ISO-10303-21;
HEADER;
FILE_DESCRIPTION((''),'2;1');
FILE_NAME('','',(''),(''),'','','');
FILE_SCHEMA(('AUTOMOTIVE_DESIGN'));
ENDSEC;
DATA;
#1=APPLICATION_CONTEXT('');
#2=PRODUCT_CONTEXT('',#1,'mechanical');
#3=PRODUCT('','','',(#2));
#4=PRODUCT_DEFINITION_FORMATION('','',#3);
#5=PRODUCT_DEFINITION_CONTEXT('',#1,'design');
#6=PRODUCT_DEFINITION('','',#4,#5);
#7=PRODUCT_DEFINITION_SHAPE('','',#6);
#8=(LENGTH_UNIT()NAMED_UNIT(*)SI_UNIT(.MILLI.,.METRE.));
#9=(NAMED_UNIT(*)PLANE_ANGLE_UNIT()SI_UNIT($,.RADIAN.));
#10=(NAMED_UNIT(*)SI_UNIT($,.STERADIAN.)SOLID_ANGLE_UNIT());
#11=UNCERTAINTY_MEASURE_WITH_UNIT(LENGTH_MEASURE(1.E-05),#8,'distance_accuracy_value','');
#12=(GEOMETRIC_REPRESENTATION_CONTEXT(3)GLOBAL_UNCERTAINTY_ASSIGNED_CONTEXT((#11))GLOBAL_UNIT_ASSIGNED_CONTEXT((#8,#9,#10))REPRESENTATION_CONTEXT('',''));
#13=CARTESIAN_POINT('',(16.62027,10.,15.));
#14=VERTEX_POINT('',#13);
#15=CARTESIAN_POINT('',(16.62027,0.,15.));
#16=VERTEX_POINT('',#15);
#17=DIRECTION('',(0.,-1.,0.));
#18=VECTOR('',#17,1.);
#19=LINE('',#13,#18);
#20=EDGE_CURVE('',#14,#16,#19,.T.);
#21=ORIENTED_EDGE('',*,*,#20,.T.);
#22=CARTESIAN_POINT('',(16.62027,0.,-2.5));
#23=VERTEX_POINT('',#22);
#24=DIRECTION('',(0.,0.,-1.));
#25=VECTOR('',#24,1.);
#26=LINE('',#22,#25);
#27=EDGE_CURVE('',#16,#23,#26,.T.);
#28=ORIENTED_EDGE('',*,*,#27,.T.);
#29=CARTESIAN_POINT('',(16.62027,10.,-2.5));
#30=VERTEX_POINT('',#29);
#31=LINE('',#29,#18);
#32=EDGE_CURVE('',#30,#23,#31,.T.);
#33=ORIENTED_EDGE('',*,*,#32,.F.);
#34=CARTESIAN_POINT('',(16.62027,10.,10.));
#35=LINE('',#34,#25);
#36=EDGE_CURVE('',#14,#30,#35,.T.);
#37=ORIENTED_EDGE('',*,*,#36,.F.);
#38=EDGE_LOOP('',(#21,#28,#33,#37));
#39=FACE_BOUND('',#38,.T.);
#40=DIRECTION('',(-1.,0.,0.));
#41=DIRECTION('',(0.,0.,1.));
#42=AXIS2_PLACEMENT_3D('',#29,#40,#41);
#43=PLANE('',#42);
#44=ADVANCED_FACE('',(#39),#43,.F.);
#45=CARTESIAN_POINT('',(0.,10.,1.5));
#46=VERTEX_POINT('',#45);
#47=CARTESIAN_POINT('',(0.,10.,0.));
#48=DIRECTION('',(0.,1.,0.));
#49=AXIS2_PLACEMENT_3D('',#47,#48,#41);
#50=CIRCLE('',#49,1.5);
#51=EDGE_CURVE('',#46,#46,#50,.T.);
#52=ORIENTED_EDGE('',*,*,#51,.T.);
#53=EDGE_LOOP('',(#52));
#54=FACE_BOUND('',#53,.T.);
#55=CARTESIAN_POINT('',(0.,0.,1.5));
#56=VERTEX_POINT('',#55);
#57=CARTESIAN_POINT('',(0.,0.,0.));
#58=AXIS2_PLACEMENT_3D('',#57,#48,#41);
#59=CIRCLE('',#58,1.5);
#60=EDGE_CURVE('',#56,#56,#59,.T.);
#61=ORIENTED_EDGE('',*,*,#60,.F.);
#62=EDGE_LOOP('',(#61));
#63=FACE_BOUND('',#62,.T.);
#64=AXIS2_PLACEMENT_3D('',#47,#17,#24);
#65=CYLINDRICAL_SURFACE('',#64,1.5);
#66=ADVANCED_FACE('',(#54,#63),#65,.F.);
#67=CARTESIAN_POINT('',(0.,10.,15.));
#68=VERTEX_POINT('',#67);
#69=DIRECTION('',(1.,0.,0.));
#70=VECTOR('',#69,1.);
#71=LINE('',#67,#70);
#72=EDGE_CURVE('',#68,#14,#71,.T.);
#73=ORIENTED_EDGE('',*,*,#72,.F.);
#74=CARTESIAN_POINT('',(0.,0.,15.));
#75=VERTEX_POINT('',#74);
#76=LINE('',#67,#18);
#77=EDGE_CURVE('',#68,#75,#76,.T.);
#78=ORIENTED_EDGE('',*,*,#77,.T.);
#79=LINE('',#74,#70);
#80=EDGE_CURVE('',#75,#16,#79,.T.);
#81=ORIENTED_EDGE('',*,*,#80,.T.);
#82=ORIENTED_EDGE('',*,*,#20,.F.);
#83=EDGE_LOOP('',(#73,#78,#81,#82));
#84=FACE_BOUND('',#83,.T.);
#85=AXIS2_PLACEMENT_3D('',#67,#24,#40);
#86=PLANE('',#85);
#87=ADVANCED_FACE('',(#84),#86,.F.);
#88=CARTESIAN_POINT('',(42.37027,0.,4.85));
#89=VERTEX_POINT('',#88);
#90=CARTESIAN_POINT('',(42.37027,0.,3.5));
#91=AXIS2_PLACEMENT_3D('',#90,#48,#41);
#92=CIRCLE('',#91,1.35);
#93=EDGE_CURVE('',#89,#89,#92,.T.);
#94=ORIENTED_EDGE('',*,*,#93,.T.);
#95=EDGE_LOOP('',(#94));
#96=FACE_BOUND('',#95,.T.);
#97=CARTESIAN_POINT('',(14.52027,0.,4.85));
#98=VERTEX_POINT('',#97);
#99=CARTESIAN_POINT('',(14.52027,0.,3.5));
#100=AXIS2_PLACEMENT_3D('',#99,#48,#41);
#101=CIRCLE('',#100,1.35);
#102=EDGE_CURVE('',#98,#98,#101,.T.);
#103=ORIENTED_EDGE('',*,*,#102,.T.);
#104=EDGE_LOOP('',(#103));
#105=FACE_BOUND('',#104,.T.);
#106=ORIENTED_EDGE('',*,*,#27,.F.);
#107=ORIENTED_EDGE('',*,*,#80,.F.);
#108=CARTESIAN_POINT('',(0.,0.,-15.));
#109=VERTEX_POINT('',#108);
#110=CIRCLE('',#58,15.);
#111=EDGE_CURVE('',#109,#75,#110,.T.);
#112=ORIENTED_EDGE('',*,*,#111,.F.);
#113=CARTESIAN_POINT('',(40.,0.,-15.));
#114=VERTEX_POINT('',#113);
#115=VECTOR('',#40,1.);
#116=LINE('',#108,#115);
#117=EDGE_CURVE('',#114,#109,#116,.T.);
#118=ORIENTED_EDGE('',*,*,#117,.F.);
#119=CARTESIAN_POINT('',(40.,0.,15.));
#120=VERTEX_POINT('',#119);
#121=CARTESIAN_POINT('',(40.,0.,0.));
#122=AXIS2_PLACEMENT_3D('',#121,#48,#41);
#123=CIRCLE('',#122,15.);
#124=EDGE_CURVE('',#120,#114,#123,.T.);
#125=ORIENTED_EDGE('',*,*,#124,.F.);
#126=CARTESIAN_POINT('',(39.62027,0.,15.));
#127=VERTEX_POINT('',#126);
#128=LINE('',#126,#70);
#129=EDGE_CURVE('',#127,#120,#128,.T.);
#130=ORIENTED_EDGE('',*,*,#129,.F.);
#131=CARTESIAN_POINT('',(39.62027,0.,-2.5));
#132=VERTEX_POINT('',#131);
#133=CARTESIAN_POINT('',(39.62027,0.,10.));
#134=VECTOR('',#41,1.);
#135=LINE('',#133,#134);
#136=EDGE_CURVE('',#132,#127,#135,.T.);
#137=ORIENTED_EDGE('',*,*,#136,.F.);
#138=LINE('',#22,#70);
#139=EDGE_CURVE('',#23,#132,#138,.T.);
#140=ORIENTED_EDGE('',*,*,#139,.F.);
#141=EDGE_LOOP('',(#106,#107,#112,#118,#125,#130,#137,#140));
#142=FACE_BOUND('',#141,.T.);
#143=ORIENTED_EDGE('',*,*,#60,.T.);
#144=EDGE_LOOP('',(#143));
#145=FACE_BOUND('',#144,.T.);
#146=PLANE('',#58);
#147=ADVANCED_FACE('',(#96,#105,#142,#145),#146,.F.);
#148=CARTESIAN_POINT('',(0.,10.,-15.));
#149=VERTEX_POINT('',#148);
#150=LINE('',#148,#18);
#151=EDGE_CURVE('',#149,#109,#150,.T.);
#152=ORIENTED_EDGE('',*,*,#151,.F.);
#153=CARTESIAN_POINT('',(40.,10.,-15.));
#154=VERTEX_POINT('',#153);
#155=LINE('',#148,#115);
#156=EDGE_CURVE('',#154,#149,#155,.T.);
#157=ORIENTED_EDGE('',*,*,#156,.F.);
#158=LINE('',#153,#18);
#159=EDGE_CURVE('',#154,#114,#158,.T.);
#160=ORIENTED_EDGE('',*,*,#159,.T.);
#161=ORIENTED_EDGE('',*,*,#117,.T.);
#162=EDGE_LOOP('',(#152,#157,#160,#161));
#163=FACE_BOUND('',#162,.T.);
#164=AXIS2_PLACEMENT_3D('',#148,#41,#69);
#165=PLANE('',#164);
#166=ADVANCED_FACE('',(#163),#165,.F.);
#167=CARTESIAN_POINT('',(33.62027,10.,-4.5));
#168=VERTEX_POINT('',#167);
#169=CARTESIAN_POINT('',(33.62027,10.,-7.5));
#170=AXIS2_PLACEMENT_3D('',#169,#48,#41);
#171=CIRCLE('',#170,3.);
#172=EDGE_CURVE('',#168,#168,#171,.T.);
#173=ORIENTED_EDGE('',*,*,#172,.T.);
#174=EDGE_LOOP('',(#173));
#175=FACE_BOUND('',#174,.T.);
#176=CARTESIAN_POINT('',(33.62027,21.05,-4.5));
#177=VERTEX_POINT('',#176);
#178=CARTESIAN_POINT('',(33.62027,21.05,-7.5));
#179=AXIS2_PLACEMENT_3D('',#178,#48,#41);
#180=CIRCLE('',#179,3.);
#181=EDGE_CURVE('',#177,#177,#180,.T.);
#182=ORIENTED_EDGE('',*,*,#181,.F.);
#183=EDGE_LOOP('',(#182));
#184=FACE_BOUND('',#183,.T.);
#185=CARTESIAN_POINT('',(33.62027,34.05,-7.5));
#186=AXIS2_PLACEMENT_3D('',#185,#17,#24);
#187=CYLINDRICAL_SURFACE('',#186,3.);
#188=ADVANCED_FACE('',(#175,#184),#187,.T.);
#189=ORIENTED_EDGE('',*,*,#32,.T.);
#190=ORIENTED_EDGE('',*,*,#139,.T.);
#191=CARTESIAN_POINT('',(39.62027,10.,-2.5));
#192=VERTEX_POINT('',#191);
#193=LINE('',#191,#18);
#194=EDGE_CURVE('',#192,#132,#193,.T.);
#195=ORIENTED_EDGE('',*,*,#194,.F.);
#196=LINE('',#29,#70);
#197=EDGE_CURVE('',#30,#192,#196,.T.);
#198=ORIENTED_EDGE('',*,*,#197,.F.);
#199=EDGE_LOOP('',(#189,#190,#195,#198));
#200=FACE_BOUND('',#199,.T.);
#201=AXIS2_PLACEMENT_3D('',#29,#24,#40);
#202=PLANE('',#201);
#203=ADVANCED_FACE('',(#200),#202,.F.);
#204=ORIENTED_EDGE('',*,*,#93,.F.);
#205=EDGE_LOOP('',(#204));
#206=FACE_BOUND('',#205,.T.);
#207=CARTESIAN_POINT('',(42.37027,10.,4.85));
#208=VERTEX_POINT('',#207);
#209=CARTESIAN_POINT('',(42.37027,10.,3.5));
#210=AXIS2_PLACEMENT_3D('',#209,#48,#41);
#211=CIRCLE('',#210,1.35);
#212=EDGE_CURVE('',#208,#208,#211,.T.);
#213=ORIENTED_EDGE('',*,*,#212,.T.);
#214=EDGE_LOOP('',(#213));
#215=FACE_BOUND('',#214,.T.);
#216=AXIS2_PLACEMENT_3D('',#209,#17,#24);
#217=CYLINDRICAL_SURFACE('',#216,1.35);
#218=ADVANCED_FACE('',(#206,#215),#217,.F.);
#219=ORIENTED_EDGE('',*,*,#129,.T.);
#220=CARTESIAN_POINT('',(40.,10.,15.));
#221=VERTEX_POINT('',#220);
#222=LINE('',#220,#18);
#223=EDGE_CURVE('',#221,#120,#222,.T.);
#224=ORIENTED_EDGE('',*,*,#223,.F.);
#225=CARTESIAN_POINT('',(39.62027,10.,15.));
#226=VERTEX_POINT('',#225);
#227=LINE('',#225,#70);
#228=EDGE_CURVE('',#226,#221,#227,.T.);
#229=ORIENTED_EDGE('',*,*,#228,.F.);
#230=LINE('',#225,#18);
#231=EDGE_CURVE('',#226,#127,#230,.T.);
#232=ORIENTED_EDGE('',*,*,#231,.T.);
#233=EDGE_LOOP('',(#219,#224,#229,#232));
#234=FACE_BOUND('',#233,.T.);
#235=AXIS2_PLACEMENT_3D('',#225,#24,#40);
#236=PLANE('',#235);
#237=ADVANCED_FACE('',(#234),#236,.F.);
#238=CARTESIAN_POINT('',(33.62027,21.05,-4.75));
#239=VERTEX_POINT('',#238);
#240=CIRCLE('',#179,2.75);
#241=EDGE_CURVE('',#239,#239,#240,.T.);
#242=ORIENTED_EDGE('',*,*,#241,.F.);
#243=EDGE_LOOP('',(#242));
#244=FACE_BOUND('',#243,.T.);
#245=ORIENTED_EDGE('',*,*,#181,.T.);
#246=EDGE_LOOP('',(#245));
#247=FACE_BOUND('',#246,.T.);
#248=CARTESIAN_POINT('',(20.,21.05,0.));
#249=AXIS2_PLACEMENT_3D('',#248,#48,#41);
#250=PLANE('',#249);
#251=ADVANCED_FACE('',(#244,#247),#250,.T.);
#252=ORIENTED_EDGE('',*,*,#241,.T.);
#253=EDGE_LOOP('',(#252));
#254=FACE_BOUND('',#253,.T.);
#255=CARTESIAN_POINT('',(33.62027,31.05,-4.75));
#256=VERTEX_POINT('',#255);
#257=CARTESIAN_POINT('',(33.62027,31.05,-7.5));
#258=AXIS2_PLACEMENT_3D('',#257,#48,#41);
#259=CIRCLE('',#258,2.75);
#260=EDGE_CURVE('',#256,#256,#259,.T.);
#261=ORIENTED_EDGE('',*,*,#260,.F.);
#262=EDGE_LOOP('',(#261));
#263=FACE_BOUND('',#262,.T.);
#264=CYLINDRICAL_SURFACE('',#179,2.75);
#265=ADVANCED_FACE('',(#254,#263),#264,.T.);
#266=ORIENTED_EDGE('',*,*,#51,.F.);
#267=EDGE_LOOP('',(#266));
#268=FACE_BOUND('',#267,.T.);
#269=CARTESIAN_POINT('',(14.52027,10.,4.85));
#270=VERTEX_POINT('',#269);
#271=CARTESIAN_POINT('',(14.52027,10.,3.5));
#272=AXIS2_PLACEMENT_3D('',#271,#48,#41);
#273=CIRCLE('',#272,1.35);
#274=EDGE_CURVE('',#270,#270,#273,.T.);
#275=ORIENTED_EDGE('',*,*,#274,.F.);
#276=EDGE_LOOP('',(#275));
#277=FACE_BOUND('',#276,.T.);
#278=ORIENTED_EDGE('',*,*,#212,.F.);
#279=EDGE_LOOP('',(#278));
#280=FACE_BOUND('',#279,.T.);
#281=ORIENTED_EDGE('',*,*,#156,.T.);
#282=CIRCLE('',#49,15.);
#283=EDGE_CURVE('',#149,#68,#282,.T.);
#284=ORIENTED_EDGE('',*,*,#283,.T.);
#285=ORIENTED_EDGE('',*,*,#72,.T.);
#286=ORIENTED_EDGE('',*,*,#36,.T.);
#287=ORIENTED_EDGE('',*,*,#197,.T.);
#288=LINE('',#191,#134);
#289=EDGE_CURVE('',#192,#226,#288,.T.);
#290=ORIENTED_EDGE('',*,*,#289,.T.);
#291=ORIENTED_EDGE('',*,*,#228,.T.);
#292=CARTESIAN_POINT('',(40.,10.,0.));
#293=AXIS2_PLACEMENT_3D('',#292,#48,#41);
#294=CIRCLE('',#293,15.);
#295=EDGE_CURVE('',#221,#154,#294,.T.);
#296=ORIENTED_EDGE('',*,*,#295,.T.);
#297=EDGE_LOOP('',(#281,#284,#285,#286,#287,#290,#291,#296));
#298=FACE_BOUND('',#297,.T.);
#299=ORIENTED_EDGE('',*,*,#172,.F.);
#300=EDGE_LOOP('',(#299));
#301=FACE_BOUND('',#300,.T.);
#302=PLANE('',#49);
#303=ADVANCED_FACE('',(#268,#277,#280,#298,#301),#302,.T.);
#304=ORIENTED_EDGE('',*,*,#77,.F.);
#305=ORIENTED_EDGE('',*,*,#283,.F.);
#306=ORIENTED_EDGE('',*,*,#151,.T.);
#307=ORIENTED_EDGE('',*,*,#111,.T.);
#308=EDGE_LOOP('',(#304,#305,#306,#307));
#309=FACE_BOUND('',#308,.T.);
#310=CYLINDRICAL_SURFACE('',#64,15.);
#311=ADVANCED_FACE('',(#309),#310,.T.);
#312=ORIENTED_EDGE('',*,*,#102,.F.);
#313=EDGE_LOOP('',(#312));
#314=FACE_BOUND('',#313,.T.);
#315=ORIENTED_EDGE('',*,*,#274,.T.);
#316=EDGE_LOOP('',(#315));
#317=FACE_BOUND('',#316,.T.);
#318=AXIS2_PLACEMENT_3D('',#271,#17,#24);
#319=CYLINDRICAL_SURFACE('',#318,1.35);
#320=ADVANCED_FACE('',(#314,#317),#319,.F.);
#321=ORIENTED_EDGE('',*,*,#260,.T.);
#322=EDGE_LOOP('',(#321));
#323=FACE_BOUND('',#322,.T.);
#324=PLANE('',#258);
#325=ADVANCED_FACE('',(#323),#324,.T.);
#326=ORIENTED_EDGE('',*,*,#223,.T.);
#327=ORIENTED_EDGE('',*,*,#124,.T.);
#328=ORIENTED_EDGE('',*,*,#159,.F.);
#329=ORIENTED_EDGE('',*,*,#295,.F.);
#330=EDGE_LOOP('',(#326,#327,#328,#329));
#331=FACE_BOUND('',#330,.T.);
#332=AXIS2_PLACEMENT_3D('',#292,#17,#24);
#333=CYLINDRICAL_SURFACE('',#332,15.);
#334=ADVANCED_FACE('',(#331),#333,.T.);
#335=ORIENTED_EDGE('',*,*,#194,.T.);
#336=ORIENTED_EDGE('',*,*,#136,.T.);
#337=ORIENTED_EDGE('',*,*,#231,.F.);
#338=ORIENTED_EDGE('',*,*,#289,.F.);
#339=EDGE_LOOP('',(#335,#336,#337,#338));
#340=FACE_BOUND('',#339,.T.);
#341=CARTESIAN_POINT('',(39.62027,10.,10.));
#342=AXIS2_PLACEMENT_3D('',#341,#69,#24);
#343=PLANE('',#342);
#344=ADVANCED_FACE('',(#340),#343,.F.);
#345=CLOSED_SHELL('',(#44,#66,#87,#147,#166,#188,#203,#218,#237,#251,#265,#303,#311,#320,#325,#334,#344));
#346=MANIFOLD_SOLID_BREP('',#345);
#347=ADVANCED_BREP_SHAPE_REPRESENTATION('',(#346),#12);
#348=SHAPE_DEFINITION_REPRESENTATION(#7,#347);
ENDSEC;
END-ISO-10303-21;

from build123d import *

# Parameters (mm, degrees)
SKETCH2_R            = 1.5
SKETCH2_R_2          = 1.35
BOSS_EXTRUDE5_DEPTH  = 10
SKETCH6_R            = 3
BOSS_EXTRUDE11_DEPTH = 24.05
SKETCH12_OUTSIDE_W   = 88.684
SKETCH12_OUTSIDE_H   = 48.684
SKETCH12_OUTSIDE_R   = 2.75
CUT_EXTRUDE10_DEPTH  = 13
SKETCH13_R           = 2.75
CUT_EXTRUDE11_DEPTH  = 3


with BuildPart() as part:
    # Sketch2 → Boss-Extrude5 (new body)
    with BuildSketch(Plane(origin=(0, 0, 0), x_dir=(1, 0, 0), z_dir=(0, 1, 0))):
        with BuildLine():
            Line((0, 15), (40, 15))
            ThreePointArc((40, 15), (55, 0), (40, -15))
            Line((40, -15), (39.620269747, -15))
            Line((39.620269747, -15), (39.620269747, -10))
            Line((39.620269747, -10), (39.620269747, 2.5))
            Line((39.620269747, 2.5), (16.620269747, 2.5))
            Line((16.620269747, 2.5), (16.620269747, -10))
            Line((16.620269747, -10), (16.620269747, -15))
            Line((16.620269747, -15), (0, -15))
            ThreePointArc((0, -15), (-15, 0), (0, 15))
        make_face()
        with Locations(Location((0, 0, 0), (0, 0, 270))):
            Circle(SKETCH2_R, mode=Mode.SUBTRACT)
        with Locations(Location((42.370269747, -3.5, 0), (0, 0, 270))):
            Circle(SKETCH2_R_2, mode=Mode.SUBTRACT)
        with Locations(Location((14.520269747, -3.5, 0), (0, 0, 270))):
            Circle(SKETCH2_R_2, mode=Mode.SUBTRACT)
    extrude(amount=BOSS_EXTRUDE5_DEPTH)

    # Sketch6 → Boss-Extrude11 (add)
    with BuildSketch(Plane(origin=(0, 10, 0), x_dir=(1, 0, 0), z_dir=(0, 1, 0))):
        with Locations(Location((33.620269747, 7.5, 0), (0, 0, 270))):
            Circle(SKETCH6_R)
    extrude(amount=BOSS_EXTRUDE11_DEPTH)

    # Sketch12 outside → Cut-Extrude10 (cut)
    with BuildSketch(Plane(origin=(0, 34.05, 0), x_dir=(1, 0, 0), z_dir=(0, 1, 0))):
        with Locations((20, 0)):
            Rectangle(SKETCH12_OUTSIDE_W, SKETCH12_OUTSIDE_H)
        with Locations(Location((33.620269747, 7.5, 0), (0, 0, 270))):
            Circle(SKETCH12_OUTSIDE_R, mode=Mode.SUBTRACT)
    extrude(amount=-CUT_EXTRUDE10_DEPTH, mode=Mode.SUBTRACT)

    # Sketch13 → Cut-Extrude11 (cut)
    with BuildSketch(Plane(origin=(0, 34.05, 0), x_dir=(1, 0, 0), z_dir=(0, 1, 0))):
        with Locations(Location((33.620269747, 7.5, 0), (0, 0, 270))):
            Circle(SKETCH13_R)
    extrude(amount=-CUT_EXTRUDE11_DEPTH, mode=Mode.SUBTRACT)


solid = part.part
